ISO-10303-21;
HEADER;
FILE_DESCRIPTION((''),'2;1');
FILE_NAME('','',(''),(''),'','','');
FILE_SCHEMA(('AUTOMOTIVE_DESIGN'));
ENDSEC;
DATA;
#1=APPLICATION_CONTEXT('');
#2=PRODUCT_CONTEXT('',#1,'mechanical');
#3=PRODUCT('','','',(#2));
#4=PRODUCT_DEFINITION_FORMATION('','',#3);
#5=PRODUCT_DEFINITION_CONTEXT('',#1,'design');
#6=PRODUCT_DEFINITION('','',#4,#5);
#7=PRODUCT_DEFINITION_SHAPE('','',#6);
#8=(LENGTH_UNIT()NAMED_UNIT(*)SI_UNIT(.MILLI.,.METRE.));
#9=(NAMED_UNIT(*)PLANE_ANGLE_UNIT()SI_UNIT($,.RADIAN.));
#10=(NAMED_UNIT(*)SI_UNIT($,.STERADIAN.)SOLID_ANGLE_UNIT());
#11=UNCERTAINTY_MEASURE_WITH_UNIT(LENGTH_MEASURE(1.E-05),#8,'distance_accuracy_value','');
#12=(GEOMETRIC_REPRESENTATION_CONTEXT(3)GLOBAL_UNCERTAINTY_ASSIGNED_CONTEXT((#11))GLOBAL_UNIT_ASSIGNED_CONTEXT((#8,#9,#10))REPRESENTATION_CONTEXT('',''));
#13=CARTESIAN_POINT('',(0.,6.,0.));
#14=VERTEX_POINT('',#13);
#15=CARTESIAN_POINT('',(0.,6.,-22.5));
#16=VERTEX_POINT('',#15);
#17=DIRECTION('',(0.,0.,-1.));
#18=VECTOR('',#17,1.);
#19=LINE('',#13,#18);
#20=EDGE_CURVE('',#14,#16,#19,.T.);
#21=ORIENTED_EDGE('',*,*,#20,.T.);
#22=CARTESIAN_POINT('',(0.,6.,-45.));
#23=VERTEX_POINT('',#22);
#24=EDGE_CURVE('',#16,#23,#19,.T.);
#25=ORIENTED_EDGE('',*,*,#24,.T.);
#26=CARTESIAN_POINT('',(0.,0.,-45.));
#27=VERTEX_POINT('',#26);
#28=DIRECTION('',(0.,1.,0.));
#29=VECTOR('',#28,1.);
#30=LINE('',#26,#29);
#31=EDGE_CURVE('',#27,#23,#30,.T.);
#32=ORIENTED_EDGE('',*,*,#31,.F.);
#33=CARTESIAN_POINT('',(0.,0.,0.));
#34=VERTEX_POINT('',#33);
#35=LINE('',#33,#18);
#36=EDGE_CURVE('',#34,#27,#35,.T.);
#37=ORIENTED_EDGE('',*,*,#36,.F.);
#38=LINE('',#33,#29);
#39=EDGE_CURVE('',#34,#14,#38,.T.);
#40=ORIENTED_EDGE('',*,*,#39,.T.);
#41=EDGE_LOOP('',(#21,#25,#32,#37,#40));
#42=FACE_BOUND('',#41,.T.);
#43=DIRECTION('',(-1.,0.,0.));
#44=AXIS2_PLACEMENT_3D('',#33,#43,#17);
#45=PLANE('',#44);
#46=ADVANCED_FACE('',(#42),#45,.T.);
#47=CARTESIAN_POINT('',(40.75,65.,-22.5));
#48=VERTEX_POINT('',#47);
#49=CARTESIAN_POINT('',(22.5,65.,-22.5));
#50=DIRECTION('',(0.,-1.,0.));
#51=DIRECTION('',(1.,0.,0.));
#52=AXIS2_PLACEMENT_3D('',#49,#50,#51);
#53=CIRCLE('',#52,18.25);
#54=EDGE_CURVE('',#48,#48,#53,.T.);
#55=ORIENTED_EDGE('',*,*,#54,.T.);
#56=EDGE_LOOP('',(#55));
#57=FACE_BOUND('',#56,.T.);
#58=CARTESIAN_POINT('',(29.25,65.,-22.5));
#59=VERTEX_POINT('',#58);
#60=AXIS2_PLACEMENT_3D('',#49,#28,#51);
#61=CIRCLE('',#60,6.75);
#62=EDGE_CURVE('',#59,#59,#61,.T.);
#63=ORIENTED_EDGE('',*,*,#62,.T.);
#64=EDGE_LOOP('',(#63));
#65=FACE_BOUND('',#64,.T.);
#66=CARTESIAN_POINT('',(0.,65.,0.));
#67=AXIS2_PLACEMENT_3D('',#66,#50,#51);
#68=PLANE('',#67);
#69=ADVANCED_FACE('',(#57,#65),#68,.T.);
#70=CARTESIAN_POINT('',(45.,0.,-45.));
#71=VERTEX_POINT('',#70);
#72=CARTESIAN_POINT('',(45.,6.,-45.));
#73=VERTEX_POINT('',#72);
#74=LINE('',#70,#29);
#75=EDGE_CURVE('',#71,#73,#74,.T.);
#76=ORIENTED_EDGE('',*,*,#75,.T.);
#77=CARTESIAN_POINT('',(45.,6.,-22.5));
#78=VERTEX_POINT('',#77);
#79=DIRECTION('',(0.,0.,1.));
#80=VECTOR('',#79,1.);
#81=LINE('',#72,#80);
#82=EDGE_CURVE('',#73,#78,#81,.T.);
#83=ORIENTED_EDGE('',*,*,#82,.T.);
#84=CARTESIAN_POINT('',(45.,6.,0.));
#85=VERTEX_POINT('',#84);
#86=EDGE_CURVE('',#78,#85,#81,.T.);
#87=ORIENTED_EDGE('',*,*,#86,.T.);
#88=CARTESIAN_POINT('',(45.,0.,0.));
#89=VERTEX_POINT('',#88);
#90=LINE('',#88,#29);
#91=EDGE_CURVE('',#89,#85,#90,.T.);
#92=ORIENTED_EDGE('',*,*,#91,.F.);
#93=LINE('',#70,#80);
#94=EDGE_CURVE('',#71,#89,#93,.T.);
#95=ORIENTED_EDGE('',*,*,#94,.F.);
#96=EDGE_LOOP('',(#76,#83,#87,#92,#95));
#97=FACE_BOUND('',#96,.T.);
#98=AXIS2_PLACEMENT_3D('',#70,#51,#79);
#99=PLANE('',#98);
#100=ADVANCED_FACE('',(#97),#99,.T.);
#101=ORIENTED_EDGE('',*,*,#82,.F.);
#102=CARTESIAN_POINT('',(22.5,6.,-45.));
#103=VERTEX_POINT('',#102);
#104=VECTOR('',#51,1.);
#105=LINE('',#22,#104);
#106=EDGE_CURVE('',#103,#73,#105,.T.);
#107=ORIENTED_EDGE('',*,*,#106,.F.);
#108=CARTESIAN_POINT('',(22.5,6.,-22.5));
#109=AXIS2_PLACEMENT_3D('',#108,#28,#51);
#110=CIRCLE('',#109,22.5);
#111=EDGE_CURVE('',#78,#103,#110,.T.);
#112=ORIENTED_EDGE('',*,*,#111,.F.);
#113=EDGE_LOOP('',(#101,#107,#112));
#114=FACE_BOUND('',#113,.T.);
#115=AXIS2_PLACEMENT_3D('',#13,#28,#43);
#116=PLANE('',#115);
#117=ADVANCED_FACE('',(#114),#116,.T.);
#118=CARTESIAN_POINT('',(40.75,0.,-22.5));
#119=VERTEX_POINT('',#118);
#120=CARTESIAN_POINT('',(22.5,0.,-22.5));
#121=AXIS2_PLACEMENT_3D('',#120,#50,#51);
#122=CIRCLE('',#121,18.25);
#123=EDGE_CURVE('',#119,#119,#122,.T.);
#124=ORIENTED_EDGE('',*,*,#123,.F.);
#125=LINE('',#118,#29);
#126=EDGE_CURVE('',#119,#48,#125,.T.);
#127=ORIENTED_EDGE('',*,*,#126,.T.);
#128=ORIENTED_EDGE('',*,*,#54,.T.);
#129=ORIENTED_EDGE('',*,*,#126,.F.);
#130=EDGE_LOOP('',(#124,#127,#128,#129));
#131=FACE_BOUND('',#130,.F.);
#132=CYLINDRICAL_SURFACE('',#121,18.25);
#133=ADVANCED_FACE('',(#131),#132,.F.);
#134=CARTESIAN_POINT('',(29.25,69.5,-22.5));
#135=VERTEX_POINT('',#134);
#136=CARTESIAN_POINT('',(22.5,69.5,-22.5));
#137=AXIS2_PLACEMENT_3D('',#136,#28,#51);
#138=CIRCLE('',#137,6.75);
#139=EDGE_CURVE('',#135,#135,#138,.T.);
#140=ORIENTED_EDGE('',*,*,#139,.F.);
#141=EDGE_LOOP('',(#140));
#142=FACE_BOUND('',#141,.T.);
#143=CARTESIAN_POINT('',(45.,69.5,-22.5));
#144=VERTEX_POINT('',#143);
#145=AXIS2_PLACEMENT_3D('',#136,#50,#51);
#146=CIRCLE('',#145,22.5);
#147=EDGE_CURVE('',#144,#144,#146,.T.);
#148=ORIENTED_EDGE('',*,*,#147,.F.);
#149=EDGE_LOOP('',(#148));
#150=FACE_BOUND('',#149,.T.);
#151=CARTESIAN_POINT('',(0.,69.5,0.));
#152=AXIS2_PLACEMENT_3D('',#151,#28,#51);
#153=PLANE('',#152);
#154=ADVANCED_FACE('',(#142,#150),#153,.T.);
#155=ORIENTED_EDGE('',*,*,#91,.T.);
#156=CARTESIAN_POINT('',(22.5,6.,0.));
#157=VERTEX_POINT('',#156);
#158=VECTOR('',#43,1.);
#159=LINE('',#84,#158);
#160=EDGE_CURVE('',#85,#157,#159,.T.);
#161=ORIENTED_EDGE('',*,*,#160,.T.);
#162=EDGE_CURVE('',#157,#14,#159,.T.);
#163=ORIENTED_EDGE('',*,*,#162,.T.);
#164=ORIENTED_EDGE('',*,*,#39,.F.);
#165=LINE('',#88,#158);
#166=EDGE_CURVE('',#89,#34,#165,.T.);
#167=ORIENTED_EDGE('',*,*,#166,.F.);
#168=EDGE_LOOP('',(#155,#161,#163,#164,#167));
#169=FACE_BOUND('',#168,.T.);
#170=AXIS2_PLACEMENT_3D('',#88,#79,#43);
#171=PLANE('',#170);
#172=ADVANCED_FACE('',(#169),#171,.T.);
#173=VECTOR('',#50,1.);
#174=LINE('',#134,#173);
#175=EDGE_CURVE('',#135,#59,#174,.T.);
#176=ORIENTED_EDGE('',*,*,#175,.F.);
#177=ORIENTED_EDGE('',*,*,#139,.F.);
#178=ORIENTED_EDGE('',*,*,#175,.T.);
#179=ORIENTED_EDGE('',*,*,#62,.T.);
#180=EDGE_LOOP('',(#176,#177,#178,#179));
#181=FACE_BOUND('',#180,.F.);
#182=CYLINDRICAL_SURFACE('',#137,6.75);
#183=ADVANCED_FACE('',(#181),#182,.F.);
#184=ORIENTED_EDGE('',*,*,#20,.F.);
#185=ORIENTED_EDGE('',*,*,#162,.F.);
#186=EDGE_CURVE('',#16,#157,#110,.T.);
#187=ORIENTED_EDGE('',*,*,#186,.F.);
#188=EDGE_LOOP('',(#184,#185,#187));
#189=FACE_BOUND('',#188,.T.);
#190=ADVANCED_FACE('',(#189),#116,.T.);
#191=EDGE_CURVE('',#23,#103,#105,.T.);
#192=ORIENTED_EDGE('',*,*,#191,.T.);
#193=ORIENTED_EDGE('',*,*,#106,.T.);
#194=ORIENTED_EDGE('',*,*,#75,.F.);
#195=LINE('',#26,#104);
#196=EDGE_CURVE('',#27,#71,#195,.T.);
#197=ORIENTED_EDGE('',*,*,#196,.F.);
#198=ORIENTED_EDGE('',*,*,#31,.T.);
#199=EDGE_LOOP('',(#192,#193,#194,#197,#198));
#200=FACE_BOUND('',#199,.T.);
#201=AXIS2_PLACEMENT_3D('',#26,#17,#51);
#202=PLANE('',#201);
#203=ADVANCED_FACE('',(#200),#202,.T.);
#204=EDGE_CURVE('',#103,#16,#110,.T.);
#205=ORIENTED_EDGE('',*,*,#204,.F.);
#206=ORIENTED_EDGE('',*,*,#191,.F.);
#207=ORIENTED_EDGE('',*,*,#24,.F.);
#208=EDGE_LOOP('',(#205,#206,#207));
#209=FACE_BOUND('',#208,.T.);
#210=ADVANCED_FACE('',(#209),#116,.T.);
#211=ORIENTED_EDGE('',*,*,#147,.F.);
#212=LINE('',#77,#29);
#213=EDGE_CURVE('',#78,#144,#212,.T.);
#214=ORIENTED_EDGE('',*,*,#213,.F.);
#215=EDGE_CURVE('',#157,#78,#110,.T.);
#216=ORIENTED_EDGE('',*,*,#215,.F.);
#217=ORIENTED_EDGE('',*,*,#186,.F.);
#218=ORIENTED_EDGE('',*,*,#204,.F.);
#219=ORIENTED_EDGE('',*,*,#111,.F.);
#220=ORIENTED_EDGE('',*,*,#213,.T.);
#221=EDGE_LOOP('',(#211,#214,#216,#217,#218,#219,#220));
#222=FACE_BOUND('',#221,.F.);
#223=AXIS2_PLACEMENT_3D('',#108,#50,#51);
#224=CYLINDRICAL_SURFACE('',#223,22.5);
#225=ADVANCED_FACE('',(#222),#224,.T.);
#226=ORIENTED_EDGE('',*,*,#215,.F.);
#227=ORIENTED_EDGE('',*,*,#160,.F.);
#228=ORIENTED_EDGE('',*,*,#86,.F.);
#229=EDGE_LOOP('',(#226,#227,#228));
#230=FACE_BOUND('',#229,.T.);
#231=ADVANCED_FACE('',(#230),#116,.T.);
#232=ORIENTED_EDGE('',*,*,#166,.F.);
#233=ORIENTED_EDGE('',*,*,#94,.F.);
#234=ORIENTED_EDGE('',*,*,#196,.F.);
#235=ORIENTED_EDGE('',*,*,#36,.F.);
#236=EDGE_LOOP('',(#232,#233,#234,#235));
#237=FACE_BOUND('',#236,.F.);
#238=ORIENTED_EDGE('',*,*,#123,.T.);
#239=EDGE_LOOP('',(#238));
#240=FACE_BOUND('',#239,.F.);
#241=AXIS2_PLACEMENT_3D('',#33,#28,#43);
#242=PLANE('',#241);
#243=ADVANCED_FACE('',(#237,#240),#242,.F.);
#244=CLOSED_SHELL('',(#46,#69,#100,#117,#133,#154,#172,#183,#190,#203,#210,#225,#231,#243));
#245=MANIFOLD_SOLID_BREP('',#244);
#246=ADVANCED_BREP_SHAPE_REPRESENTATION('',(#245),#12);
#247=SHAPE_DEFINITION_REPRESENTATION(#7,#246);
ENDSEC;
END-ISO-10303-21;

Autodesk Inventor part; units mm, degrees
ref_plane "YZ Plane" through (0, 0, 0) normal (1, 0, 0) x (0, 1, 0)
ref_plane "XZ Plane" through (0, 0, 0) normal (0, 1, 0) x (-1, 0, 0)
ref_plane "XY Plane" through (0, 0, 0) normal (0, 0, 1) x (1, 0, 0)
sketch "Sketch1" plane through (0, 0, 0) normal (0, 1, 0) x (-1, 0, 0)
  line L0 (0, 0) -> (0, -45)
  line L1 (0, -45) -> (-45, -45)
  line L2 (-45, -45) -> (-45, 0)
  line L3 (-45, 0) -> (0, 0)
  dimension "d0" = 45
  dimension "d1" = 45
  dimension "d2" = 45
extrude "Extrusion1" add sketch "Sketch1" along normal blind 6
sketch "Sketch2" plane through (0, 6, 0) normal (0, 1, 0) x (1, 0, 0)
  line L0 (0, 0) -> (0, 22.5)
  line L1 (0, 45) -> (0, 0) projected
  line L2 (0, 22.5) -> (22.5, 22.5)
  circle A0 centre (22.5, 22.5) radius 22.5
  dimension "d5" = 22.5
  dimension "d6" = 22.5
  dimension "d7" = 45
extrude "Extrusion2" add sketch "Sketch2" along normal blind 63.5
sketch "Sketch3" plane through (0, 0, 0) normal (0, -1, 0) x (1, 0, 0)
  line L0 (0, -45) -> (0, 0) projected
  line L1 (0, 0) -> (0, -22.5)
  circle A0 centre (22.5, -22.5) radius 18.25
  dimension "d12" = 36.5
extrude "Extrusion3" cut sketch "Sketch3" against normal blind 65
sketch "Sketch4" plane through (22.5, 69.5, -22.5) normal (0, 1, 0) x (1, 0, 0)
  circle A0 centre (0, 0) radius 6.75
  point P0 (-22.5, -22.5)
  dimension "d15" = 13.5
extrude "Extrusion4" cut sketch "Sketch4" against normal blind 4.5
sketch "Sketch5" plane through (0, 0, 0) normal (0, -1, 0) x (1, 0, 0)
  line L0 (0, -45) -> (0, 0) projected
  line L1 (0, 0) -> (22.5, 0)
  line L2 (0, 0) -> (45, 0) projected
sketch "Sketch6" plane through (22.5, 65, -22.5) normal (0, -1, 0) x (1, 0, 0)
  point P0 (-22.5, 22.5)
properties part number "MotorSupport"
